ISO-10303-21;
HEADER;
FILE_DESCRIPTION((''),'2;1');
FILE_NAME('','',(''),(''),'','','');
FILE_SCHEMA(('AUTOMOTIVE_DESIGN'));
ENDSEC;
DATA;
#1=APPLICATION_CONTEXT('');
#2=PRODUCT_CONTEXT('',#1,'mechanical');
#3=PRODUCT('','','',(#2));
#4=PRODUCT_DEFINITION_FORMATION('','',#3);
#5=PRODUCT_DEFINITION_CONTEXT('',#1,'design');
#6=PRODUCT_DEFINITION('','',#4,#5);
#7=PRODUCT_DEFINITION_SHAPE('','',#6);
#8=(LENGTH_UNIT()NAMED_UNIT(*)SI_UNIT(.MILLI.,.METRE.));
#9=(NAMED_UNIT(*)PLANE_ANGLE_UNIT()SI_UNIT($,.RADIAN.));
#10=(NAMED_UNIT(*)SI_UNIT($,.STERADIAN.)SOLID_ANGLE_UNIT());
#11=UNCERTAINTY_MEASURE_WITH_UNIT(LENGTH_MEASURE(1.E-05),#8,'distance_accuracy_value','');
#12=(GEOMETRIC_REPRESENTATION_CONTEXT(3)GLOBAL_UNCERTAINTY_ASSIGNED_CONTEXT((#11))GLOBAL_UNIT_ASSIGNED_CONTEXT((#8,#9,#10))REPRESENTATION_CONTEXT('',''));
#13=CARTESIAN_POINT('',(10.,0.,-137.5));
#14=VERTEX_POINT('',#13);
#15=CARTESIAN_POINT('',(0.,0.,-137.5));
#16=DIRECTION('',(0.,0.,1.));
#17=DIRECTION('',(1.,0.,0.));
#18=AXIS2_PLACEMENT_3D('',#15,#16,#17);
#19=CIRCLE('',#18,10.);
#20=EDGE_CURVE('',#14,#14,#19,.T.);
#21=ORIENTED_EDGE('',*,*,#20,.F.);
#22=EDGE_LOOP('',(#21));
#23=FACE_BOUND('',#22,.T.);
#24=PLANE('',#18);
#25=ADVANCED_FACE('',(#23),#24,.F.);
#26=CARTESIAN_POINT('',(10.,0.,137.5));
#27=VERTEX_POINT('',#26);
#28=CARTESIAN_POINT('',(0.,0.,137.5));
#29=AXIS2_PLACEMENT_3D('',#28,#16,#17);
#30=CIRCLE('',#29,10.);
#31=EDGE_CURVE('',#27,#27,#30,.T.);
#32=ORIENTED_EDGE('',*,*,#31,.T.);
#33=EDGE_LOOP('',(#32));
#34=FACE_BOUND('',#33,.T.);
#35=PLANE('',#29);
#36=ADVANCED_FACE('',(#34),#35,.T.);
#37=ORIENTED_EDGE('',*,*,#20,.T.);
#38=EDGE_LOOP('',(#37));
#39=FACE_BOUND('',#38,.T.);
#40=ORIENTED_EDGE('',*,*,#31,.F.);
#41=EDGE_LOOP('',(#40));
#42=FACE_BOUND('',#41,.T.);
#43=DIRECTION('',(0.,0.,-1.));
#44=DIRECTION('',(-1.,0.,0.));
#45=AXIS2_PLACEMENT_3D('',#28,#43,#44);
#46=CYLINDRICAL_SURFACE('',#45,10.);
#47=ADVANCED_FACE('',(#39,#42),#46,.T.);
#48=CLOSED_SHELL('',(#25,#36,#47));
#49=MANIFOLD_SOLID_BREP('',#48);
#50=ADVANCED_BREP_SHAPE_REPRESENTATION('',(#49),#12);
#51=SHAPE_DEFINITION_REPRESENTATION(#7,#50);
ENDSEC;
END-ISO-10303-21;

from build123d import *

# Parameters (mm, degrees)
ESQUISSE1_R        = 10
BOSS_EXTRU_1_DEPTH = 137.5


with BuildPart() as part:
    # Esquisse1 → Boss.-Extru.1 (new, symmetric)
    with BuildSketch(Plane.XY):
        Circle(ESQUISSE1_R)
    extrude(amount=BOSS_EXTRU_1_DEPTH, both=True)


solid = part.part
